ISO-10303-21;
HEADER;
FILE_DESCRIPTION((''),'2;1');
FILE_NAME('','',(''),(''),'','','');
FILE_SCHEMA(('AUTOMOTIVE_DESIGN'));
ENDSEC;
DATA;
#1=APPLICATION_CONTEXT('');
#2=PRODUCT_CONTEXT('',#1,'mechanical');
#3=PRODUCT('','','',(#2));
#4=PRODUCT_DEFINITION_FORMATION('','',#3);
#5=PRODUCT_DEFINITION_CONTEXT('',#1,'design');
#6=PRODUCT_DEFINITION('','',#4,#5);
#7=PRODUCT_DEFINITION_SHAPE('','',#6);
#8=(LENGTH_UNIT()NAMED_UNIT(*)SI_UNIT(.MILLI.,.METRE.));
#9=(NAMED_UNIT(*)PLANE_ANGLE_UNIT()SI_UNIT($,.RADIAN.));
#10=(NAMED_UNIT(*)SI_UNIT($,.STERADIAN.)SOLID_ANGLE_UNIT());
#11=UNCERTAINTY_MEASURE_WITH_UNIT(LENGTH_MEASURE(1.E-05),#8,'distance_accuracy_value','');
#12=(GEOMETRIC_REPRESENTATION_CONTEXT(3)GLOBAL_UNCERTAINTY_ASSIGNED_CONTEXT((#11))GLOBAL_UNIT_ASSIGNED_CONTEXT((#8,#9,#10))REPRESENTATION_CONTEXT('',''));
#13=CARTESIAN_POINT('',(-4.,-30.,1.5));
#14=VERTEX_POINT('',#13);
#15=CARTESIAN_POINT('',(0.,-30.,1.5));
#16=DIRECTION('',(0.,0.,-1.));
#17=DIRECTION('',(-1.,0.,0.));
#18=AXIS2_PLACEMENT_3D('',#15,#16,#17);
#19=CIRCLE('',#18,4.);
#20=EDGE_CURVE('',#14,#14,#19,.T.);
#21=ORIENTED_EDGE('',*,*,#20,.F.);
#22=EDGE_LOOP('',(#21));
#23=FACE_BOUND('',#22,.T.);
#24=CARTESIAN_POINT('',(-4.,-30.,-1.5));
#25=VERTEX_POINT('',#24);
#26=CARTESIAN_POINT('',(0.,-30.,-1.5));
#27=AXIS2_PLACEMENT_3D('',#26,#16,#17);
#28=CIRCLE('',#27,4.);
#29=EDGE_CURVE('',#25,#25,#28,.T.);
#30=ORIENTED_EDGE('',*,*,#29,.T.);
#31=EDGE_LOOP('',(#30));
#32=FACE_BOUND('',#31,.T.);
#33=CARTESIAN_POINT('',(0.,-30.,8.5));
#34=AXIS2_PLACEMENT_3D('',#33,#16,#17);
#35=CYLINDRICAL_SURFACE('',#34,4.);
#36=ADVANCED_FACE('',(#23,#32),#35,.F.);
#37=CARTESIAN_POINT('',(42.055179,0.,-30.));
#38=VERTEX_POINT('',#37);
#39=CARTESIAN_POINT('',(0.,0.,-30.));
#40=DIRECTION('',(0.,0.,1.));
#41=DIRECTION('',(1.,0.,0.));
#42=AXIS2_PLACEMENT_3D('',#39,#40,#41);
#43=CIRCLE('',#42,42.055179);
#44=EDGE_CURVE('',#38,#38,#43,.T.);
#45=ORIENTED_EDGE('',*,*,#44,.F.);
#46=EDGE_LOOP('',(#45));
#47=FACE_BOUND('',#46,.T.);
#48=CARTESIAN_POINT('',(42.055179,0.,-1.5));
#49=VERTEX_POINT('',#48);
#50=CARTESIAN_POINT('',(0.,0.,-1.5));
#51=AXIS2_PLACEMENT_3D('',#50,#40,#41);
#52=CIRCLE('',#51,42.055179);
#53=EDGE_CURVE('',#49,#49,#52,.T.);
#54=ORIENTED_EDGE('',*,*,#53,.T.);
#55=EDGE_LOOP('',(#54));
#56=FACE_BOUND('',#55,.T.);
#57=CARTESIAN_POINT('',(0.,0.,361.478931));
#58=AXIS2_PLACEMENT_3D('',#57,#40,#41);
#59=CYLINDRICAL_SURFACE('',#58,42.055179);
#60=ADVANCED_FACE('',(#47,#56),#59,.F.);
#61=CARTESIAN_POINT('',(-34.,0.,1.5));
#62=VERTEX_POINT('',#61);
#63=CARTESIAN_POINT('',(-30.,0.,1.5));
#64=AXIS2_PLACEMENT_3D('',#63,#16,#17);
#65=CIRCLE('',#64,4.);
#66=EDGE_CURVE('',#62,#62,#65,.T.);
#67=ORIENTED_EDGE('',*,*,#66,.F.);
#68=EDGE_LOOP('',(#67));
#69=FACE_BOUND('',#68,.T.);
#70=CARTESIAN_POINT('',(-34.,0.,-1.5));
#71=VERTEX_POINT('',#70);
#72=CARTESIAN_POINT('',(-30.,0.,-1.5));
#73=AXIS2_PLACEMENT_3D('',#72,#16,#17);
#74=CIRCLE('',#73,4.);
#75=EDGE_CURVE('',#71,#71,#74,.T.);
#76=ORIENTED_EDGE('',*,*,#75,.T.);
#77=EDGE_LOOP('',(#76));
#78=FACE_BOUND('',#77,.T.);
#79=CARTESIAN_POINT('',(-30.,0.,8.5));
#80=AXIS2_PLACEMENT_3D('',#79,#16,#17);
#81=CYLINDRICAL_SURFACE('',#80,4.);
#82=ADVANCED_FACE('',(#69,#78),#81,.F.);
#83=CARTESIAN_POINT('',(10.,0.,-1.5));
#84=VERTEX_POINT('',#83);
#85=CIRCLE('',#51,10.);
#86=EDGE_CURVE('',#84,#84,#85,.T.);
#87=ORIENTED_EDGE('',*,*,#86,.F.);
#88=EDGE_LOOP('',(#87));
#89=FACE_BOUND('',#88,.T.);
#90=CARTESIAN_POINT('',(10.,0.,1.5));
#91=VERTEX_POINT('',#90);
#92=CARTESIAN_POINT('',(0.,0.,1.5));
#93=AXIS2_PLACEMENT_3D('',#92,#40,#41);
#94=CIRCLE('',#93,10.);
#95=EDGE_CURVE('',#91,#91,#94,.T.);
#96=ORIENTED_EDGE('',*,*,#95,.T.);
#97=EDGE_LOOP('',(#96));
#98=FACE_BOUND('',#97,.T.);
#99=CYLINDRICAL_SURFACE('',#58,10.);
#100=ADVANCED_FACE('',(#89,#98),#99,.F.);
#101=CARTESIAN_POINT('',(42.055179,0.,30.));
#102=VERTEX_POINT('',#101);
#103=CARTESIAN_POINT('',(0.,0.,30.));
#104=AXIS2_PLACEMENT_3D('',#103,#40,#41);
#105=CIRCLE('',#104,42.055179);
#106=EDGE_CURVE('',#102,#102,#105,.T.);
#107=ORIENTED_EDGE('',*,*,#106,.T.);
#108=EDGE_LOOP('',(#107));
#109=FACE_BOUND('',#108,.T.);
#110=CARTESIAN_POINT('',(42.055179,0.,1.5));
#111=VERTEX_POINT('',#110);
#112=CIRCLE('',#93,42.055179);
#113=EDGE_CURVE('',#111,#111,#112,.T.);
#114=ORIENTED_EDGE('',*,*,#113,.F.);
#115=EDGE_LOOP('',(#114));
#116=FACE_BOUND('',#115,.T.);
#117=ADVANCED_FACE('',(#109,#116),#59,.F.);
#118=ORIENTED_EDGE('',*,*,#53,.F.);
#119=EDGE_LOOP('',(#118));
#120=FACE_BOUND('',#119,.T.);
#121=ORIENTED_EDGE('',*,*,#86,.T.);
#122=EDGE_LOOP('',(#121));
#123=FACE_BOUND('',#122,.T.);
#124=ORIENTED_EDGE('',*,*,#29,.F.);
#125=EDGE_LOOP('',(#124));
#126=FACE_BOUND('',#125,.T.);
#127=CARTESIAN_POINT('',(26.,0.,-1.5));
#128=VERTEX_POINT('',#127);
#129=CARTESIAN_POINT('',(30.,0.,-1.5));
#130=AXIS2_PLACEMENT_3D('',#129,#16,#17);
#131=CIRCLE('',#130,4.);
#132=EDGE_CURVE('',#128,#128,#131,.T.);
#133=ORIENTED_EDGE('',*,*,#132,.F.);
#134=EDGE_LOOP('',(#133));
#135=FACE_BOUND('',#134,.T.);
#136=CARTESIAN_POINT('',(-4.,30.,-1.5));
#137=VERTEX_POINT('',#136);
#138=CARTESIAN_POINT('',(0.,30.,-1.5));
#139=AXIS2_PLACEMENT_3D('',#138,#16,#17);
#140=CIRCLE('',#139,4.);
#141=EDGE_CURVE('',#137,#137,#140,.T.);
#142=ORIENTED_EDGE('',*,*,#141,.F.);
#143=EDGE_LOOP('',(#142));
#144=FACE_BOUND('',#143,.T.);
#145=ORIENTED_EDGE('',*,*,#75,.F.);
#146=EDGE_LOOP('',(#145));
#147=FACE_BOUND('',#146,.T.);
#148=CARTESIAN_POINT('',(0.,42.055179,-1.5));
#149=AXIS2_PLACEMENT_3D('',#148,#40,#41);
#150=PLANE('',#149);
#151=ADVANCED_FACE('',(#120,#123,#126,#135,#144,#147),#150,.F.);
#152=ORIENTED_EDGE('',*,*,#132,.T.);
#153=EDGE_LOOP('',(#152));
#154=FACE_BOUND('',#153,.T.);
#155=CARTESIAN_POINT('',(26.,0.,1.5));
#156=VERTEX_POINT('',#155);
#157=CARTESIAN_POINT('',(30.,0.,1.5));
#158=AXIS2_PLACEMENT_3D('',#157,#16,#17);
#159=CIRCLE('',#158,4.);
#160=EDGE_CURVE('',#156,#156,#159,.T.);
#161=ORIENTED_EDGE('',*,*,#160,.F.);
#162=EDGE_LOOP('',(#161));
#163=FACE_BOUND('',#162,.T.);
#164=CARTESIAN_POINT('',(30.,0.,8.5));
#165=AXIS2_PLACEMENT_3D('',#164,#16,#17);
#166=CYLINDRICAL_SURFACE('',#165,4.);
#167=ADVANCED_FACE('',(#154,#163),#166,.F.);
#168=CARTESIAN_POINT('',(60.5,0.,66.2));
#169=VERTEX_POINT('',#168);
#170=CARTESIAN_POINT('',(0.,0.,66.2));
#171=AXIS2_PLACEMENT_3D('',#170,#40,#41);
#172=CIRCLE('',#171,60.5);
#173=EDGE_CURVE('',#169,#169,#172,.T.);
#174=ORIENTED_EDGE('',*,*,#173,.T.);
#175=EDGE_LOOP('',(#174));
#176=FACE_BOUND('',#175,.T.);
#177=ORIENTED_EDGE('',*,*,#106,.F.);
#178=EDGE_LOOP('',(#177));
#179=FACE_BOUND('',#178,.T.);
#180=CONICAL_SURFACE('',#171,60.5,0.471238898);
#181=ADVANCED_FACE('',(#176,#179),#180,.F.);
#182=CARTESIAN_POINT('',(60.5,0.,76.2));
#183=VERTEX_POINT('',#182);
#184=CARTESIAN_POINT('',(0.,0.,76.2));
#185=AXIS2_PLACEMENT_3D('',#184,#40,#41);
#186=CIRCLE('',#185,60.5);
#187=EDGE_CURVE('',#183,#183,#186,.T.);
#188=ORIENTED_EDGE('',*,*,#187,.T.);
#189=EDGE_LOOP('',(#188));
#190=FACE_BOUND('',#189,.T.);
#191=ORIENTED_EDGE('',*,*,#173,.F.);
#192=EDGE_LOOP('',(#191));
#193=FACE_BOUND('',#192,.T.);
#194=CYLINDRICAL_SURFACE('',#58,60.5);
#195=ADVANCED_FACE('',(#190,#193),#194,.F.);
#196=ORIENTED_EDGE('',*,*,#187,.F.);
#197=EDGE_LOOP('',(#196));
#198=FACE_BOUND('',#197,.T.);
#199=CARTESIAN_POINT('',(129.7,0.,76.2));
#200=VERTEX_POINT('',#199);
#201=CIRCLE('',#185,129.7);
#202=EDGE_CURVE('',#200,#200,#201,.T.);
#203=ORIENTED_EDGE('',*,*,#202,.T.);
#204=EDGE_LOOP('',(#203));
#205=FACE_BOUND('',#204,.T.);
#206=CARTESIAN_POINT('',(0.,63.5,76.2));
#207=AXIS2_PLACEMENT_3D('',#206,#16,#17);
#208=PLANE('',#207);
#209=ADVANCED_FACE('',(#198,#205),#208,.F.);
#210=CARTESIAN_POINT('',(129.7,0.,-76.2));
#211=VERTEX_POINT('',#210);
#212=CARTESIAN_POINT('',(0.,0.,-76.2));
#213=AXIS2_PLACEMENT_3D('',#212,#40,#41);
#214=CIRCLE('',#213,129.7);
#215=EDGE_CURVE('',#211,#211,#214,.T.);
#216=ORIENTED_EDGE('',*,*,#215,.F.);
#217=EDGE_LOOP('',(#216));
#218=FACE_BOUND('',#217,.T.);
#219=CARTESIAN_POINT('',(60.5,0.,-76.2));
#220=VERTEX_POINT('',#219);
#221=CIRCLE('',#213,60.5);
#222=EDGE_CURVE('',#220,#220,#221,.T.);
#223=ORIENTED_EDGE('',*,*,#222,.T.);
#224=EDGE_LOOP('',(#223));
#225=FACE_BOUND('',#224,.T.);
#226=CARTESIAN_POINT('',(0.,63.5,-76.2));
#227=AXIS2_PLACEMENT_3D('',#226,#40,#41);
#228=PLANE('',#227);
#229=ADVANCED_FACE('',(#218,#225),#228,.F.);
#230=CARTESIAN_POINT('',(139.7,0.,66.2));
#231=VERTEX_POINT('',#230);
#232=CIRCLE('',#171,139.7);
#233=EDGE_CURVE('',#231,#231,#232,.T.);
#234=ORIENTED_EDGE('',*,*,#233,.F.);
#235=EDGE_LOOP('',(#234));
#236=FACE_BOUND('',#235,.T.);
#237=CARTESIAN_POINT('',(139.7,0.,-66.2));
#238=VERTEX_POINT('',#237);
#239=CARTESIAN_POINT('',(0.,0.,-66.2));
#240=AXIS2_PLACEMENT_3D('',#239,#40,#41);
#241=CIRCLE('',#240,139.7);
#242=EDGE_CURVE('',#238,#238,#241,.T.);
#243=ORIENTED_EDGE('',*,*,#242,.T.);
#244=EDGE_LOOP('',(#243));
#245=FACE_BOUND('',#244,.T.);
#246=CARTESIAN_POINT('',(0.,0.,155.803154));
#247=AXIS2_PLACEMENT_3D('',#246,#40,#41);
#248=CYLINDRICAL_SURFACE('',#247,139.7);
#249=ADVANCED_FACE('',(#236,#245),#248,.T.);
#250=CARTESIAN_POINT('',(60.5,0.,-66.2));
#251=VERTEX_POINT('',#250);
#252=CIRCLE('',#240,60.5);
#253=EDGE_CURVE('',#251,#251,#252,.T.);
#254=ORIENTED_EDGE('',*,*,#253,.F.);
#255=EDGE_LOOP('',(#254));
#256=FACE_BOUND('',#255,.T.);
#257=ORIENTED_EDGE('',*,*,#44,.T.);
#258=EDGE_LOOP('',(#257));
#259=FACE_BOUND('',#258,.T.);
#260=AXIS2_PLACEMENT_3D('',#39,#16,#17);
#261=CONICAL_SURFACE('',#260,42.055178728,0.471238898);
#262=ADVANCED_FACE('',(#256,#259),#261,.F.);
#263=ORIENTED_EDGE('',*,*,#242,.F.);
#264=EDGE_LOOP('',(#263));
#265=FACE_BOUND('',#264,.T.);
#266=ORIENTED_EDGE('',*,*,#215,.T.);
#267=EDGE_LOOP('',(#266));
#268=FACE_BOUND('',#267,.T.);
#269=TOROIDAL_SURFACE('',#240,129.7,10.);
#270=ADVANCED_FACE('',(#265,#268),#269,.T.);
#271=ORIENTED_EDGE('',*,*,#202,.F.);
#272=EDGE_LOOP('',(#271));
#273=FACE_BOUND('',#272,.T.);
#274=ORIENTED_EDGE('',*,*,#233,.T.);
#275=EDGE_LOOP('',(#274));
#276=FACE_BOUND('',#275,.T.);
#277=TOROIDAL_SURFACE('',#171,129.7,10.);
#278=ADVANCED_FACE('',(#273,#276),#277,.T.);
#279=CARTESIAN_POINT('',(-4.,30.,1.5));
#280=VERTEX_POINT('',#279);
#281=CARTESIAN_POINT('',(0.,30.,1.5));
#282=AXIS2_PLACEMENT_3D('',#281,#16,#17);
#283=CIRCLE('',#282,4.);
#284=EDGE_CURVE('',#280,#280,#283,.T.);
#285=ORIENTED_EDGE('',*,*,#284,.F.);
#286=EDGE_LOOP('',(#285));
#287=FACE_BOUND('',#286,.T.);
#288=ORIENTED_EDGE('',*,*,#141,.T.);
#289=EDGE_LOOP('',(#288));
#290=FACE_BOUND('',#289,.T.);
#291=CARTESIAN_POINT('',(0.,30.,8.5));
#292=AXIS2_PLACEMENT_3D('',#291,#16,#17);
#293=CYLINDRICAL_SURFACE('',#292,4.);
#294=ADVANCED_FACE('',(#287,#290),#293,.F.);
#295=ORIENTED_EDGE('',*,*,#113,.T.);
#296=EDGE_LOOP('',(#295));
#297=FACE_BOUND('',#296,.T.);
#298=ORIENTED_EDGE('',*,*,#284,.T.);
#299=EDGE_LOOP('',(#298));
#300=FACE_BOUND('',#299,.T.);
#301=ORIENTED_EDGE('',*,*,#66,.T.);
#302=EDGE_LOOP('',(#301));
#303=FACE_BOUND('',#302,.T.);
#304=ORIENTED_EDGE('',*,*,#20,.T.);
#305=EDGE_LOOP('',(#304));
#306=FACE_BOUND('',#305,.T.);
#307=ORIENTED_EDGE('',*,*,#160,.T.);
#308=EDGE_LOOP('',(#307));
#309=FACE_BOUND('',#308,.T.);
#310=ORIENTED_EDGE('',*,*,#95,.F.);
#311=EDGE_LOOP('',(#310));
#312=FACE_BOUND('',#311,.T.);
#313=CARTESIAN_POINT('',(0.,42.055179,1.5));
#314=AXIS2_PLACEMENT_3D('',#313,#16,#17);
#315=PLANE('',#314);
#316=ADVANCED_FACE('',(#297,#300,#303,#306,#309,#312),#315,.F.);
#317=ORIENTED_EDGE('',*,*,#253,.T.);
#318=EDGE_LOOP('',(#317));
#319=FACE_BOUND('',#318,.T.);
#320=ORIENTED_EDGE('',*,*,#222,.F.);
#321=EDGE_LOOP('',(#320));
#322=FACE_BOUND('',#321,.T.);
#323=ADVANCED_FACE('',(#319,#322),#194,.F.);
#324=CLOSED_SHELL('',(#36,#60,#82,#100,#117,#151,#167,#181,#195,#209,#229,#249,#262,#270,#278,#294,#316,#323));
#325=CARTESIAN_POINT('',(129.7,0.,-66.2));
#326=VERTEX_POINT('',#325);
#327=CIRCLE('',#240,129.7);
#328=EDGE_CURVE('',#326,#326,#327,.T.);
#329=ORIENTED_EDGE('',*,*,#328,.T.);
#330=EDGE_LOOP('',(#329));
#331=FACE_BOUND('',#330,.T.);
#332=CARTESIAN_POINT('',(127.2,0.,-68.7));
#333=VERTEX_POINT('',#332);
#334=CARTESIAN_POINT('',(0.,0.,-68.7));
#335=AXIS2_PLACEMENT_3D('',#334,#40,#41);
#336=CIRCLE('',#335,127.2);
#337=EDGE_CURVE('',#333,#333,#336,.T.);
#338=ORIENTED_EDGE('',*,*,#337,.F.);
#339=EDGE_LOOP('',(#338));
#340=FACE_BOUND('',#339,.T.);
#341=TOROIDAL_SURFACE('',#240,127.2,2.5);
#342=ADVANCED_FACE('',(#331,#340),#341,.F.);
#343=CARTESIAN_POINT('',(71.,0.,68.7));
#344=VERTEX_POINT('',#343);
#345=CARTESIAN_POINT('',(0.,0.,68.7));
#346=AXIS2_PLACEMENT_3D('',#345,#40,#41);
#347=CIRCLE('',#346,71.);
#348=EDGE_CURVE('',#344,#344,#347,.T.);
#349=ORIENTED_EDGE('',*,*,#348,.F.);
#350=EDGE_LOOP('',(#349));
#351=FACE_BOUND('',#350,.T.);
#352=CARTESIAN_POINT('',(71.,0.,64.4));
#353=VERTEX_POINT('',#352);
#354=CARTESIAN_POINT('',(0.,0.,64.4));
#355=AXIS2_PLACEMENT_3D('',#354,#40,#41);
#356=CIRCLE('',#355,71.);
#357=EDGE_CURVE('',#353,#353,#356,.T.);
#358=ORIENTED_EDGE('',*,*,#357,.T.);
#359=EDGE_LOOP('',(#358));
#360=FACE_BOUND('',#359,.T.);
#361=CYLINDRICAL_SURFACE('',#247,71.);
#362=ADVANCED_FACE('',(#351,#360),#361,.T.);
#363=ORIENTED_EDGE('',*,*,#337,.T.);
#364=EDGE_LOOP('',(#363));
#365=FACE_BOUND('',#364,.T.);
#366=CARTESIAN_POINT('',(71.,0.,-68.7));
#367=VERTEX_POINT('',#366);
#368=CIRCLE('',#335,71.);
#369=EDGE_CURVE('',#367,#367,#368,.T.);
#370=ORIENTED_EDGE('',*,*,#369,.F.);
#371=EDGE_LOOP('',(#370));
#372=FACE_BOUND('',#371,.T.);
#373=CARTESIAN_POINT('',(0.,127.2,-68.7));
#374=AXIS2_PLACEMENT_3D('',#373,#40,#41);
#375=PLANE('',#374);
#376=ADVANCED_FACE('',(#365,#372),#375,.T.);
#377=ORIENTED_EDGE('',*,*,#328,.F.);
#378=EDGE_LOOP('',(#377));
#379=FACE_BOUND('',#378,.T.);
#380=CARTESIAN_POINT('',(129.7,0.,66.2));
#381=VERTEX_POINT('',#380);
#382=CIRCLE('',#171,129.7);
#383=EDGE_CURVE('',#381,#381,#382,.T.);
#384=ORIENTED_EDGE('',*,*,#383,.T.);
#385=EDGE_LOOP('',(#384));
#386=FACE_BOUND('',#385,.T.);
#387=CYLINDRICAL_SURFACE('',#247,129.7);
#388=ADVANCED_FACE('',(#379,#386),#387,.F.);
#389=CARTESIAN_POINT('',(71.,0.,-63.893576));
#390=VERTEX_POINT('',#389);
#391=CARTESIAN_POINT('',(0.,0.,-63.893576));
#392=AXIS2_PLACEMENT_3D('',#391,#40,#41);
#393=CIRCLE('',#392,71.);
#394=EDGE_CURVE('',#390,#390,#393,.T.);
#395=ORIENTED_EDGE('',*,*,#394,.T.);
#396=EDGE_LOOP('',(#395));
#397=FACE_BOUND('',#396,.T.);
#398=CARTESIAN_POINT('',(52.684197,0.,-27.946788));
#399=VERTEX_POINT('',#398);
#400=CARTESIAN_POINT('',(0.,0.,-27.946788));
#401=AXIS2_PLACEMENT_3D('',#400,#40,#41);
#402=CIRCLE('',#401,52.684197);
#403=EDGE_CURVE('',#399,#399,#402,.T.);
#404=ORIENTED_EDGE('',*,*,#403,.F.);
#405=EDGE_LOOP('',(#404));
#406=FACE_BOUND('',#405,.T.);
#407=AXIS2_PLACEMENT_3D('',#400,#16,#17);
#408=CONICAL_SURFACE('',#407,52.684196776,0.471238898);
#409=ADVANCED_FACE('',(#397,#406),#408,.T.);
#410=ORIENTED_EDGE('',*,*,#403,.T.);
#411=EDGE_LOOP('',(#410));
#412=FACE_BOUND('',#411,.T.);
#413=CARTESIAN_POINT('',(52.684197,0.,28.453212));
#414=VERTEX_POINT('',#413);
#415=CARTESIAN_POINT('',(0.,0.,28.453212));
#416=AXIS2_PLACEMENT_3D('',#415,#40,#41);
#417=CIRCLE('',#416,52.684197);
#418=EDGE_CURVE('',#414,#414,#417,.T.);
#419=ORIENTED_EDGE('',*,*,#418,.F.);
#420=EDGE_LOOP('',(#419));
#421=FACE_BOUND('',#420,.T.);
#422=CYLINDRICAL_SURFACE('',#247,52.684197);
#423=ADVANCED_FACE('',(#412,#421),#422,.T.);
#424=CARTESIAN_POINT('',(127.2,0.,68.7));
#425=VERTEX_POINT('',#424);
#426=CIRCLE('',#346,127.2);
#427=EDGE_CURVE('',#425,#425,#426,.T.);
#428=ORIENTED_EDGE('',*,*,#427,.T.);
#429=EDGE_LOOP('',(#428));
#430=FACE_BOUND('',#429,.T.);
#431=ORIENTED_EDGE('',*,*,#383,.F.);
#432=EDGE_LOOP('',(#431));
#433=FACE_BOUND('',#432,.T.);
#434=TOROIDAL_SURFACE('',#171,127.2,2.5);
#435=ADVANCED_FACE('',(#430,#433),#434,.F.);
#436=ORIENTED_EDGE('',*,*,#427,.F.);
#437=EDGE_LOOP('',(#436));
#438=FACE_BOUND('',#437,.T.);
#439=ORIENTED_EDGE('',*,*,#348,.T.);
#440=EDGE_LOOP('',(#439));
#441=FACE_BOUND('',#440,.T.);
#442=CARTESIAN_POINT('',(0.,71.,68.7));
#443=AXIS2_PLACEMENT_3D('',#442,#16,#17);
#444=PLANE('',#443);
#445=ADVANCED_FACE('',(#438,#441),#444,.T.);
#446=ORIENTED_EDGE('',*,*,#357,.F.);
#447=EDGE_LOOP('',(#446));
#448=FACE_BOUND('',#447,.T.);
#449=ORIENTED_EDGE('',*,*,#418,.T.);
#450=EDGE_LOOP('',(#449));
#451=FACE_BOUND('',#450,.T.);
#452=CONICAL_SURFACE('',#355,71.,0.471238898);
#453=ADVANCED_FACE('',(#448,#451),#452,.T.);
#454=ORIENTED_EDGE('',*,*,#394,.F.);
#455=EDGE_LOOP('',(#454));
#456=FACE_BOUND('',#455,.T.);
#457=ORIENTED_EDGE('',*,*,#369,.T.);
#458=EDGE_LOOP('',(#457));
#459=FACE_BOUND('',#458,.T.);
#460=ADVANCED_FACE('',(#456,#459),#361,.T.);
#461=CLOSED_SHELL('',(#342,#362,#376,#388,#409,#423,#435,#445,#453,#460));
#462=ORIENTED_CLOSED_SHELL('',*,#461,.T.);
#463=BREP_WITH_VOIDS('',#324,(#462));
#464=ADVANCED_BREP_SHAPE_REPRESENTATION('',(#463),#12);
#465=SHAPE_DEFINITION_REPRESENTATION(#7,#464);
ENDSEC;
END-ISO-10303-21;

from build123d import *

# Parameters (mm, degrees)
SKETCH2_R          = 4
CUT_EXTRUDE1_DEPTH = 10


with BuildPart() as part:
    # Sketch1 → Revolve1 (revolve)
    with BuildSketch(Plane(origin=(0, 0, 0), x_dir=(0, 0, -1), z_dir=(1, 0, 0)), mode=Mode.PRIVATE) as revolve1_sk:
        Polygon((30, 45.055178728), (-30, 45.055178728), (-66.2, 63.5), (-76.2, 63.5), (-76.2, 60.5), (-66.2, 60.5), (-30, 42.055178728), (-1.5, 42.055178728), (-1.5, 10), (1.5, 10), (1.5, 42.055178728), (30, 42.055178728), (66.2, 60.5), (76.2, 60.5), (76.2, 63.5), (66.2, 63.5), align=None)
    revolve(revolve1_sk.sketch.rotate(Axis((0, 0, 361.478930537), (0, 0, -1)), 90), axis=Axis((0, 0, 361.478930537), (0, 0, -1)))

    # Sketch2 → Cut-Extrude1 (cut)
    with BuildSketch(Plane(origin=(0, 0, -1.5), x_dir=(-1, 0, 0), z_dir=(0, 0, -1))):
        with Locations((0, 30)):
            Circle(SKETCH2_R)
        with Locations((30, 0)):
            Circle(SKETCH2_R)
        with Locations((0, -30)):
            Circle(SKETCH2_R)
        with Locations((-30, 0)):
            Circle(SKETCH2_R)
    extrude(amount=-CUT_EXTRUDE1_DEPTH, mode=Mode.SUBTRACT)

    # Sketch3 → Revolve2 (revolve)
    with BuildSketch(Plane(origin=(0, 0, 0), x_dir=(0, 0, -1), z_dir=(1, 0, 0)), mode=Mode.PRIVATE) as revolve2_sk:
        with BuildLine():
            Line((-66.2, 139.7), (66.2, 139.7))
            ThreePointArc((66.2, 139.7), (73.271067812, 136.771067812), (76.2, 129.7))
            Line((76.2, 129.7), (76.2, 63.5))
            Line((76.2, 63.5), (66.2, 63.5))
            Line((66.2, 63.5), (30, 45.055178728))
            Line((30, 45.055178728), (-30, 45.055178728))
            Line((-30, 45.055178728), (-66.2, 63.5))
            Line((-66.2, 63.5), (-76.2, 63.5))
            Line((-76.2, 63.5), (-76.2, 129.7))
            ThreePointArc((-76.2, 129.7), (-73.271067812, 136.771067812), (-66.2, 139.7))
        make_face()
        with BuildLine():
            Line((-66.2, 129.7), (66.2, 129.7))
            ThreePointArc((66.2, 129.7), (67.967766953, 128.967766953), (68.7, 127.2))
            Line((68.7, 127.2), (68.7, 71))
            Line((68.7, 71), (63.893575647, 71))
            Line((63.893575647, 71), (27.946787823, 52.684196776))
            Line((27.946787823, 52.684196776), (-28.453212177, 52.684196776))
            Line((-28.453212177, 52.684196776), (-64.4, 71))
            Line((-64.4, 71), (-68.7, 71))
            Line((-68.7, 71), (-68.7, 127.2))
            ThreePointArc((-68.7, 127.2), (-67.967766953, 128.967766953), (-66.2, 129.7))
        make_face(mode=Mode.SUBTRACT)
    revolve(revolve2_sk.sketch.rotate(Axis((0, 0, 155.803154022), (0, 0, -1)), 90), axis=Axis((0, 0, 155.803154022), (0, 0, -1)))


solid = part.part
